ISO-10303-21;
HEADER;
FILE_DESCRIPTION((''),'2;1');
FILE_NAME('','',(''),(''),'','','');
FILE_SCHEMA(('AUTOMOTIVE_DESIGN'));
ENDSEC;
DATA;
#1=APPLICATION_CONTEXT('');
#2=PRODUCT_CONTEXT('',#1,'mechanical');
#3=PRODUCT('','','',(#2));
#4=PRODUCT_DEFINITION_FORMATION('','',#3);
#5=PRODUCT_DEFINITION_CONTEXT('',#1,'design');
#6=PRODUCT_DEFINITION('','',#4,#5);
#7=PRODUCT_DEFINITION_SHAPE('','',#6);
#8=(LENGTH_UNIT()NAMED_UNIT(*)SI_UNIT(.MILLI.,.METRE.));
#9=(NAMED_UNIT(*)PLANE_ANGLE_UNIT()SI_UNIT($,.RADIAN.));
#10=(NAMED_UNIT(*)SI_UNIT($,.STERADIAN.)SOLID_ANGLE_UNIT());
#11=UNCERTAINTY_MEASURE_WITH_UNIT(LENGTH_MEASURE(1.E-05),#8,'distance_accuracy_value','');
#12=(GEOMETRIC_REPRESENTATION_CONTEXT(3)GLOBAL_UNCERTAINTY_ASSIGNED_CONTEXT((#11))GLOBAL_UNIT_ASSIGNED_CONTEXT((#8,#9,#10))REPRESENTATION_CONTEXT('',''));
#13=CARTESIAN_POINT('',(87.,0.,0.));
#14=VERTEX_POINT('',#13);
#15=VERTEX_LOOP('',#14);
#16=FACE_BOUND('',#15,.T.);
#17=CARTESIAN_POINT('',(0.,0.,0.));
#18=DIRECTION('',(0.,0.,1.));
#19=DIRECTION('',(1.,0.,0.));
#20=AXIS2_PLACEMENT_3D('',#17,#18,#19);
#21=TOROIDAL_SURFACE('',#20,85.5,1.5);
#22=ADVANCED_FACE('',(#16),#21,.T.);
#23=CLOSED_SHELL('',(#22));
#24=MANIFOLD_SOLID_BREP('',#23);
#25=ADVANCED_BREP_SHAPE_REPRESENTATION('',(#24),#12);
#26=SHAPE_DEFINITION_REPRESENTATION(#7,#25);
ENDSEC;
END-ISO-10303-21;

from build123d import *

# Parameters (mm, degrees)
SKETCH1_R = 1.5


with BuildPart() as part:
    # Sketch1 → Revolve1 (revolve)
    with BuildSketch(Plane.ZY):
        with Locations((0, 85.5)):
            Circle(SKETCH1_R)
    revolve(axis=Axis((0, 0, 0), (0, 0, -1)))


solid = part.part
